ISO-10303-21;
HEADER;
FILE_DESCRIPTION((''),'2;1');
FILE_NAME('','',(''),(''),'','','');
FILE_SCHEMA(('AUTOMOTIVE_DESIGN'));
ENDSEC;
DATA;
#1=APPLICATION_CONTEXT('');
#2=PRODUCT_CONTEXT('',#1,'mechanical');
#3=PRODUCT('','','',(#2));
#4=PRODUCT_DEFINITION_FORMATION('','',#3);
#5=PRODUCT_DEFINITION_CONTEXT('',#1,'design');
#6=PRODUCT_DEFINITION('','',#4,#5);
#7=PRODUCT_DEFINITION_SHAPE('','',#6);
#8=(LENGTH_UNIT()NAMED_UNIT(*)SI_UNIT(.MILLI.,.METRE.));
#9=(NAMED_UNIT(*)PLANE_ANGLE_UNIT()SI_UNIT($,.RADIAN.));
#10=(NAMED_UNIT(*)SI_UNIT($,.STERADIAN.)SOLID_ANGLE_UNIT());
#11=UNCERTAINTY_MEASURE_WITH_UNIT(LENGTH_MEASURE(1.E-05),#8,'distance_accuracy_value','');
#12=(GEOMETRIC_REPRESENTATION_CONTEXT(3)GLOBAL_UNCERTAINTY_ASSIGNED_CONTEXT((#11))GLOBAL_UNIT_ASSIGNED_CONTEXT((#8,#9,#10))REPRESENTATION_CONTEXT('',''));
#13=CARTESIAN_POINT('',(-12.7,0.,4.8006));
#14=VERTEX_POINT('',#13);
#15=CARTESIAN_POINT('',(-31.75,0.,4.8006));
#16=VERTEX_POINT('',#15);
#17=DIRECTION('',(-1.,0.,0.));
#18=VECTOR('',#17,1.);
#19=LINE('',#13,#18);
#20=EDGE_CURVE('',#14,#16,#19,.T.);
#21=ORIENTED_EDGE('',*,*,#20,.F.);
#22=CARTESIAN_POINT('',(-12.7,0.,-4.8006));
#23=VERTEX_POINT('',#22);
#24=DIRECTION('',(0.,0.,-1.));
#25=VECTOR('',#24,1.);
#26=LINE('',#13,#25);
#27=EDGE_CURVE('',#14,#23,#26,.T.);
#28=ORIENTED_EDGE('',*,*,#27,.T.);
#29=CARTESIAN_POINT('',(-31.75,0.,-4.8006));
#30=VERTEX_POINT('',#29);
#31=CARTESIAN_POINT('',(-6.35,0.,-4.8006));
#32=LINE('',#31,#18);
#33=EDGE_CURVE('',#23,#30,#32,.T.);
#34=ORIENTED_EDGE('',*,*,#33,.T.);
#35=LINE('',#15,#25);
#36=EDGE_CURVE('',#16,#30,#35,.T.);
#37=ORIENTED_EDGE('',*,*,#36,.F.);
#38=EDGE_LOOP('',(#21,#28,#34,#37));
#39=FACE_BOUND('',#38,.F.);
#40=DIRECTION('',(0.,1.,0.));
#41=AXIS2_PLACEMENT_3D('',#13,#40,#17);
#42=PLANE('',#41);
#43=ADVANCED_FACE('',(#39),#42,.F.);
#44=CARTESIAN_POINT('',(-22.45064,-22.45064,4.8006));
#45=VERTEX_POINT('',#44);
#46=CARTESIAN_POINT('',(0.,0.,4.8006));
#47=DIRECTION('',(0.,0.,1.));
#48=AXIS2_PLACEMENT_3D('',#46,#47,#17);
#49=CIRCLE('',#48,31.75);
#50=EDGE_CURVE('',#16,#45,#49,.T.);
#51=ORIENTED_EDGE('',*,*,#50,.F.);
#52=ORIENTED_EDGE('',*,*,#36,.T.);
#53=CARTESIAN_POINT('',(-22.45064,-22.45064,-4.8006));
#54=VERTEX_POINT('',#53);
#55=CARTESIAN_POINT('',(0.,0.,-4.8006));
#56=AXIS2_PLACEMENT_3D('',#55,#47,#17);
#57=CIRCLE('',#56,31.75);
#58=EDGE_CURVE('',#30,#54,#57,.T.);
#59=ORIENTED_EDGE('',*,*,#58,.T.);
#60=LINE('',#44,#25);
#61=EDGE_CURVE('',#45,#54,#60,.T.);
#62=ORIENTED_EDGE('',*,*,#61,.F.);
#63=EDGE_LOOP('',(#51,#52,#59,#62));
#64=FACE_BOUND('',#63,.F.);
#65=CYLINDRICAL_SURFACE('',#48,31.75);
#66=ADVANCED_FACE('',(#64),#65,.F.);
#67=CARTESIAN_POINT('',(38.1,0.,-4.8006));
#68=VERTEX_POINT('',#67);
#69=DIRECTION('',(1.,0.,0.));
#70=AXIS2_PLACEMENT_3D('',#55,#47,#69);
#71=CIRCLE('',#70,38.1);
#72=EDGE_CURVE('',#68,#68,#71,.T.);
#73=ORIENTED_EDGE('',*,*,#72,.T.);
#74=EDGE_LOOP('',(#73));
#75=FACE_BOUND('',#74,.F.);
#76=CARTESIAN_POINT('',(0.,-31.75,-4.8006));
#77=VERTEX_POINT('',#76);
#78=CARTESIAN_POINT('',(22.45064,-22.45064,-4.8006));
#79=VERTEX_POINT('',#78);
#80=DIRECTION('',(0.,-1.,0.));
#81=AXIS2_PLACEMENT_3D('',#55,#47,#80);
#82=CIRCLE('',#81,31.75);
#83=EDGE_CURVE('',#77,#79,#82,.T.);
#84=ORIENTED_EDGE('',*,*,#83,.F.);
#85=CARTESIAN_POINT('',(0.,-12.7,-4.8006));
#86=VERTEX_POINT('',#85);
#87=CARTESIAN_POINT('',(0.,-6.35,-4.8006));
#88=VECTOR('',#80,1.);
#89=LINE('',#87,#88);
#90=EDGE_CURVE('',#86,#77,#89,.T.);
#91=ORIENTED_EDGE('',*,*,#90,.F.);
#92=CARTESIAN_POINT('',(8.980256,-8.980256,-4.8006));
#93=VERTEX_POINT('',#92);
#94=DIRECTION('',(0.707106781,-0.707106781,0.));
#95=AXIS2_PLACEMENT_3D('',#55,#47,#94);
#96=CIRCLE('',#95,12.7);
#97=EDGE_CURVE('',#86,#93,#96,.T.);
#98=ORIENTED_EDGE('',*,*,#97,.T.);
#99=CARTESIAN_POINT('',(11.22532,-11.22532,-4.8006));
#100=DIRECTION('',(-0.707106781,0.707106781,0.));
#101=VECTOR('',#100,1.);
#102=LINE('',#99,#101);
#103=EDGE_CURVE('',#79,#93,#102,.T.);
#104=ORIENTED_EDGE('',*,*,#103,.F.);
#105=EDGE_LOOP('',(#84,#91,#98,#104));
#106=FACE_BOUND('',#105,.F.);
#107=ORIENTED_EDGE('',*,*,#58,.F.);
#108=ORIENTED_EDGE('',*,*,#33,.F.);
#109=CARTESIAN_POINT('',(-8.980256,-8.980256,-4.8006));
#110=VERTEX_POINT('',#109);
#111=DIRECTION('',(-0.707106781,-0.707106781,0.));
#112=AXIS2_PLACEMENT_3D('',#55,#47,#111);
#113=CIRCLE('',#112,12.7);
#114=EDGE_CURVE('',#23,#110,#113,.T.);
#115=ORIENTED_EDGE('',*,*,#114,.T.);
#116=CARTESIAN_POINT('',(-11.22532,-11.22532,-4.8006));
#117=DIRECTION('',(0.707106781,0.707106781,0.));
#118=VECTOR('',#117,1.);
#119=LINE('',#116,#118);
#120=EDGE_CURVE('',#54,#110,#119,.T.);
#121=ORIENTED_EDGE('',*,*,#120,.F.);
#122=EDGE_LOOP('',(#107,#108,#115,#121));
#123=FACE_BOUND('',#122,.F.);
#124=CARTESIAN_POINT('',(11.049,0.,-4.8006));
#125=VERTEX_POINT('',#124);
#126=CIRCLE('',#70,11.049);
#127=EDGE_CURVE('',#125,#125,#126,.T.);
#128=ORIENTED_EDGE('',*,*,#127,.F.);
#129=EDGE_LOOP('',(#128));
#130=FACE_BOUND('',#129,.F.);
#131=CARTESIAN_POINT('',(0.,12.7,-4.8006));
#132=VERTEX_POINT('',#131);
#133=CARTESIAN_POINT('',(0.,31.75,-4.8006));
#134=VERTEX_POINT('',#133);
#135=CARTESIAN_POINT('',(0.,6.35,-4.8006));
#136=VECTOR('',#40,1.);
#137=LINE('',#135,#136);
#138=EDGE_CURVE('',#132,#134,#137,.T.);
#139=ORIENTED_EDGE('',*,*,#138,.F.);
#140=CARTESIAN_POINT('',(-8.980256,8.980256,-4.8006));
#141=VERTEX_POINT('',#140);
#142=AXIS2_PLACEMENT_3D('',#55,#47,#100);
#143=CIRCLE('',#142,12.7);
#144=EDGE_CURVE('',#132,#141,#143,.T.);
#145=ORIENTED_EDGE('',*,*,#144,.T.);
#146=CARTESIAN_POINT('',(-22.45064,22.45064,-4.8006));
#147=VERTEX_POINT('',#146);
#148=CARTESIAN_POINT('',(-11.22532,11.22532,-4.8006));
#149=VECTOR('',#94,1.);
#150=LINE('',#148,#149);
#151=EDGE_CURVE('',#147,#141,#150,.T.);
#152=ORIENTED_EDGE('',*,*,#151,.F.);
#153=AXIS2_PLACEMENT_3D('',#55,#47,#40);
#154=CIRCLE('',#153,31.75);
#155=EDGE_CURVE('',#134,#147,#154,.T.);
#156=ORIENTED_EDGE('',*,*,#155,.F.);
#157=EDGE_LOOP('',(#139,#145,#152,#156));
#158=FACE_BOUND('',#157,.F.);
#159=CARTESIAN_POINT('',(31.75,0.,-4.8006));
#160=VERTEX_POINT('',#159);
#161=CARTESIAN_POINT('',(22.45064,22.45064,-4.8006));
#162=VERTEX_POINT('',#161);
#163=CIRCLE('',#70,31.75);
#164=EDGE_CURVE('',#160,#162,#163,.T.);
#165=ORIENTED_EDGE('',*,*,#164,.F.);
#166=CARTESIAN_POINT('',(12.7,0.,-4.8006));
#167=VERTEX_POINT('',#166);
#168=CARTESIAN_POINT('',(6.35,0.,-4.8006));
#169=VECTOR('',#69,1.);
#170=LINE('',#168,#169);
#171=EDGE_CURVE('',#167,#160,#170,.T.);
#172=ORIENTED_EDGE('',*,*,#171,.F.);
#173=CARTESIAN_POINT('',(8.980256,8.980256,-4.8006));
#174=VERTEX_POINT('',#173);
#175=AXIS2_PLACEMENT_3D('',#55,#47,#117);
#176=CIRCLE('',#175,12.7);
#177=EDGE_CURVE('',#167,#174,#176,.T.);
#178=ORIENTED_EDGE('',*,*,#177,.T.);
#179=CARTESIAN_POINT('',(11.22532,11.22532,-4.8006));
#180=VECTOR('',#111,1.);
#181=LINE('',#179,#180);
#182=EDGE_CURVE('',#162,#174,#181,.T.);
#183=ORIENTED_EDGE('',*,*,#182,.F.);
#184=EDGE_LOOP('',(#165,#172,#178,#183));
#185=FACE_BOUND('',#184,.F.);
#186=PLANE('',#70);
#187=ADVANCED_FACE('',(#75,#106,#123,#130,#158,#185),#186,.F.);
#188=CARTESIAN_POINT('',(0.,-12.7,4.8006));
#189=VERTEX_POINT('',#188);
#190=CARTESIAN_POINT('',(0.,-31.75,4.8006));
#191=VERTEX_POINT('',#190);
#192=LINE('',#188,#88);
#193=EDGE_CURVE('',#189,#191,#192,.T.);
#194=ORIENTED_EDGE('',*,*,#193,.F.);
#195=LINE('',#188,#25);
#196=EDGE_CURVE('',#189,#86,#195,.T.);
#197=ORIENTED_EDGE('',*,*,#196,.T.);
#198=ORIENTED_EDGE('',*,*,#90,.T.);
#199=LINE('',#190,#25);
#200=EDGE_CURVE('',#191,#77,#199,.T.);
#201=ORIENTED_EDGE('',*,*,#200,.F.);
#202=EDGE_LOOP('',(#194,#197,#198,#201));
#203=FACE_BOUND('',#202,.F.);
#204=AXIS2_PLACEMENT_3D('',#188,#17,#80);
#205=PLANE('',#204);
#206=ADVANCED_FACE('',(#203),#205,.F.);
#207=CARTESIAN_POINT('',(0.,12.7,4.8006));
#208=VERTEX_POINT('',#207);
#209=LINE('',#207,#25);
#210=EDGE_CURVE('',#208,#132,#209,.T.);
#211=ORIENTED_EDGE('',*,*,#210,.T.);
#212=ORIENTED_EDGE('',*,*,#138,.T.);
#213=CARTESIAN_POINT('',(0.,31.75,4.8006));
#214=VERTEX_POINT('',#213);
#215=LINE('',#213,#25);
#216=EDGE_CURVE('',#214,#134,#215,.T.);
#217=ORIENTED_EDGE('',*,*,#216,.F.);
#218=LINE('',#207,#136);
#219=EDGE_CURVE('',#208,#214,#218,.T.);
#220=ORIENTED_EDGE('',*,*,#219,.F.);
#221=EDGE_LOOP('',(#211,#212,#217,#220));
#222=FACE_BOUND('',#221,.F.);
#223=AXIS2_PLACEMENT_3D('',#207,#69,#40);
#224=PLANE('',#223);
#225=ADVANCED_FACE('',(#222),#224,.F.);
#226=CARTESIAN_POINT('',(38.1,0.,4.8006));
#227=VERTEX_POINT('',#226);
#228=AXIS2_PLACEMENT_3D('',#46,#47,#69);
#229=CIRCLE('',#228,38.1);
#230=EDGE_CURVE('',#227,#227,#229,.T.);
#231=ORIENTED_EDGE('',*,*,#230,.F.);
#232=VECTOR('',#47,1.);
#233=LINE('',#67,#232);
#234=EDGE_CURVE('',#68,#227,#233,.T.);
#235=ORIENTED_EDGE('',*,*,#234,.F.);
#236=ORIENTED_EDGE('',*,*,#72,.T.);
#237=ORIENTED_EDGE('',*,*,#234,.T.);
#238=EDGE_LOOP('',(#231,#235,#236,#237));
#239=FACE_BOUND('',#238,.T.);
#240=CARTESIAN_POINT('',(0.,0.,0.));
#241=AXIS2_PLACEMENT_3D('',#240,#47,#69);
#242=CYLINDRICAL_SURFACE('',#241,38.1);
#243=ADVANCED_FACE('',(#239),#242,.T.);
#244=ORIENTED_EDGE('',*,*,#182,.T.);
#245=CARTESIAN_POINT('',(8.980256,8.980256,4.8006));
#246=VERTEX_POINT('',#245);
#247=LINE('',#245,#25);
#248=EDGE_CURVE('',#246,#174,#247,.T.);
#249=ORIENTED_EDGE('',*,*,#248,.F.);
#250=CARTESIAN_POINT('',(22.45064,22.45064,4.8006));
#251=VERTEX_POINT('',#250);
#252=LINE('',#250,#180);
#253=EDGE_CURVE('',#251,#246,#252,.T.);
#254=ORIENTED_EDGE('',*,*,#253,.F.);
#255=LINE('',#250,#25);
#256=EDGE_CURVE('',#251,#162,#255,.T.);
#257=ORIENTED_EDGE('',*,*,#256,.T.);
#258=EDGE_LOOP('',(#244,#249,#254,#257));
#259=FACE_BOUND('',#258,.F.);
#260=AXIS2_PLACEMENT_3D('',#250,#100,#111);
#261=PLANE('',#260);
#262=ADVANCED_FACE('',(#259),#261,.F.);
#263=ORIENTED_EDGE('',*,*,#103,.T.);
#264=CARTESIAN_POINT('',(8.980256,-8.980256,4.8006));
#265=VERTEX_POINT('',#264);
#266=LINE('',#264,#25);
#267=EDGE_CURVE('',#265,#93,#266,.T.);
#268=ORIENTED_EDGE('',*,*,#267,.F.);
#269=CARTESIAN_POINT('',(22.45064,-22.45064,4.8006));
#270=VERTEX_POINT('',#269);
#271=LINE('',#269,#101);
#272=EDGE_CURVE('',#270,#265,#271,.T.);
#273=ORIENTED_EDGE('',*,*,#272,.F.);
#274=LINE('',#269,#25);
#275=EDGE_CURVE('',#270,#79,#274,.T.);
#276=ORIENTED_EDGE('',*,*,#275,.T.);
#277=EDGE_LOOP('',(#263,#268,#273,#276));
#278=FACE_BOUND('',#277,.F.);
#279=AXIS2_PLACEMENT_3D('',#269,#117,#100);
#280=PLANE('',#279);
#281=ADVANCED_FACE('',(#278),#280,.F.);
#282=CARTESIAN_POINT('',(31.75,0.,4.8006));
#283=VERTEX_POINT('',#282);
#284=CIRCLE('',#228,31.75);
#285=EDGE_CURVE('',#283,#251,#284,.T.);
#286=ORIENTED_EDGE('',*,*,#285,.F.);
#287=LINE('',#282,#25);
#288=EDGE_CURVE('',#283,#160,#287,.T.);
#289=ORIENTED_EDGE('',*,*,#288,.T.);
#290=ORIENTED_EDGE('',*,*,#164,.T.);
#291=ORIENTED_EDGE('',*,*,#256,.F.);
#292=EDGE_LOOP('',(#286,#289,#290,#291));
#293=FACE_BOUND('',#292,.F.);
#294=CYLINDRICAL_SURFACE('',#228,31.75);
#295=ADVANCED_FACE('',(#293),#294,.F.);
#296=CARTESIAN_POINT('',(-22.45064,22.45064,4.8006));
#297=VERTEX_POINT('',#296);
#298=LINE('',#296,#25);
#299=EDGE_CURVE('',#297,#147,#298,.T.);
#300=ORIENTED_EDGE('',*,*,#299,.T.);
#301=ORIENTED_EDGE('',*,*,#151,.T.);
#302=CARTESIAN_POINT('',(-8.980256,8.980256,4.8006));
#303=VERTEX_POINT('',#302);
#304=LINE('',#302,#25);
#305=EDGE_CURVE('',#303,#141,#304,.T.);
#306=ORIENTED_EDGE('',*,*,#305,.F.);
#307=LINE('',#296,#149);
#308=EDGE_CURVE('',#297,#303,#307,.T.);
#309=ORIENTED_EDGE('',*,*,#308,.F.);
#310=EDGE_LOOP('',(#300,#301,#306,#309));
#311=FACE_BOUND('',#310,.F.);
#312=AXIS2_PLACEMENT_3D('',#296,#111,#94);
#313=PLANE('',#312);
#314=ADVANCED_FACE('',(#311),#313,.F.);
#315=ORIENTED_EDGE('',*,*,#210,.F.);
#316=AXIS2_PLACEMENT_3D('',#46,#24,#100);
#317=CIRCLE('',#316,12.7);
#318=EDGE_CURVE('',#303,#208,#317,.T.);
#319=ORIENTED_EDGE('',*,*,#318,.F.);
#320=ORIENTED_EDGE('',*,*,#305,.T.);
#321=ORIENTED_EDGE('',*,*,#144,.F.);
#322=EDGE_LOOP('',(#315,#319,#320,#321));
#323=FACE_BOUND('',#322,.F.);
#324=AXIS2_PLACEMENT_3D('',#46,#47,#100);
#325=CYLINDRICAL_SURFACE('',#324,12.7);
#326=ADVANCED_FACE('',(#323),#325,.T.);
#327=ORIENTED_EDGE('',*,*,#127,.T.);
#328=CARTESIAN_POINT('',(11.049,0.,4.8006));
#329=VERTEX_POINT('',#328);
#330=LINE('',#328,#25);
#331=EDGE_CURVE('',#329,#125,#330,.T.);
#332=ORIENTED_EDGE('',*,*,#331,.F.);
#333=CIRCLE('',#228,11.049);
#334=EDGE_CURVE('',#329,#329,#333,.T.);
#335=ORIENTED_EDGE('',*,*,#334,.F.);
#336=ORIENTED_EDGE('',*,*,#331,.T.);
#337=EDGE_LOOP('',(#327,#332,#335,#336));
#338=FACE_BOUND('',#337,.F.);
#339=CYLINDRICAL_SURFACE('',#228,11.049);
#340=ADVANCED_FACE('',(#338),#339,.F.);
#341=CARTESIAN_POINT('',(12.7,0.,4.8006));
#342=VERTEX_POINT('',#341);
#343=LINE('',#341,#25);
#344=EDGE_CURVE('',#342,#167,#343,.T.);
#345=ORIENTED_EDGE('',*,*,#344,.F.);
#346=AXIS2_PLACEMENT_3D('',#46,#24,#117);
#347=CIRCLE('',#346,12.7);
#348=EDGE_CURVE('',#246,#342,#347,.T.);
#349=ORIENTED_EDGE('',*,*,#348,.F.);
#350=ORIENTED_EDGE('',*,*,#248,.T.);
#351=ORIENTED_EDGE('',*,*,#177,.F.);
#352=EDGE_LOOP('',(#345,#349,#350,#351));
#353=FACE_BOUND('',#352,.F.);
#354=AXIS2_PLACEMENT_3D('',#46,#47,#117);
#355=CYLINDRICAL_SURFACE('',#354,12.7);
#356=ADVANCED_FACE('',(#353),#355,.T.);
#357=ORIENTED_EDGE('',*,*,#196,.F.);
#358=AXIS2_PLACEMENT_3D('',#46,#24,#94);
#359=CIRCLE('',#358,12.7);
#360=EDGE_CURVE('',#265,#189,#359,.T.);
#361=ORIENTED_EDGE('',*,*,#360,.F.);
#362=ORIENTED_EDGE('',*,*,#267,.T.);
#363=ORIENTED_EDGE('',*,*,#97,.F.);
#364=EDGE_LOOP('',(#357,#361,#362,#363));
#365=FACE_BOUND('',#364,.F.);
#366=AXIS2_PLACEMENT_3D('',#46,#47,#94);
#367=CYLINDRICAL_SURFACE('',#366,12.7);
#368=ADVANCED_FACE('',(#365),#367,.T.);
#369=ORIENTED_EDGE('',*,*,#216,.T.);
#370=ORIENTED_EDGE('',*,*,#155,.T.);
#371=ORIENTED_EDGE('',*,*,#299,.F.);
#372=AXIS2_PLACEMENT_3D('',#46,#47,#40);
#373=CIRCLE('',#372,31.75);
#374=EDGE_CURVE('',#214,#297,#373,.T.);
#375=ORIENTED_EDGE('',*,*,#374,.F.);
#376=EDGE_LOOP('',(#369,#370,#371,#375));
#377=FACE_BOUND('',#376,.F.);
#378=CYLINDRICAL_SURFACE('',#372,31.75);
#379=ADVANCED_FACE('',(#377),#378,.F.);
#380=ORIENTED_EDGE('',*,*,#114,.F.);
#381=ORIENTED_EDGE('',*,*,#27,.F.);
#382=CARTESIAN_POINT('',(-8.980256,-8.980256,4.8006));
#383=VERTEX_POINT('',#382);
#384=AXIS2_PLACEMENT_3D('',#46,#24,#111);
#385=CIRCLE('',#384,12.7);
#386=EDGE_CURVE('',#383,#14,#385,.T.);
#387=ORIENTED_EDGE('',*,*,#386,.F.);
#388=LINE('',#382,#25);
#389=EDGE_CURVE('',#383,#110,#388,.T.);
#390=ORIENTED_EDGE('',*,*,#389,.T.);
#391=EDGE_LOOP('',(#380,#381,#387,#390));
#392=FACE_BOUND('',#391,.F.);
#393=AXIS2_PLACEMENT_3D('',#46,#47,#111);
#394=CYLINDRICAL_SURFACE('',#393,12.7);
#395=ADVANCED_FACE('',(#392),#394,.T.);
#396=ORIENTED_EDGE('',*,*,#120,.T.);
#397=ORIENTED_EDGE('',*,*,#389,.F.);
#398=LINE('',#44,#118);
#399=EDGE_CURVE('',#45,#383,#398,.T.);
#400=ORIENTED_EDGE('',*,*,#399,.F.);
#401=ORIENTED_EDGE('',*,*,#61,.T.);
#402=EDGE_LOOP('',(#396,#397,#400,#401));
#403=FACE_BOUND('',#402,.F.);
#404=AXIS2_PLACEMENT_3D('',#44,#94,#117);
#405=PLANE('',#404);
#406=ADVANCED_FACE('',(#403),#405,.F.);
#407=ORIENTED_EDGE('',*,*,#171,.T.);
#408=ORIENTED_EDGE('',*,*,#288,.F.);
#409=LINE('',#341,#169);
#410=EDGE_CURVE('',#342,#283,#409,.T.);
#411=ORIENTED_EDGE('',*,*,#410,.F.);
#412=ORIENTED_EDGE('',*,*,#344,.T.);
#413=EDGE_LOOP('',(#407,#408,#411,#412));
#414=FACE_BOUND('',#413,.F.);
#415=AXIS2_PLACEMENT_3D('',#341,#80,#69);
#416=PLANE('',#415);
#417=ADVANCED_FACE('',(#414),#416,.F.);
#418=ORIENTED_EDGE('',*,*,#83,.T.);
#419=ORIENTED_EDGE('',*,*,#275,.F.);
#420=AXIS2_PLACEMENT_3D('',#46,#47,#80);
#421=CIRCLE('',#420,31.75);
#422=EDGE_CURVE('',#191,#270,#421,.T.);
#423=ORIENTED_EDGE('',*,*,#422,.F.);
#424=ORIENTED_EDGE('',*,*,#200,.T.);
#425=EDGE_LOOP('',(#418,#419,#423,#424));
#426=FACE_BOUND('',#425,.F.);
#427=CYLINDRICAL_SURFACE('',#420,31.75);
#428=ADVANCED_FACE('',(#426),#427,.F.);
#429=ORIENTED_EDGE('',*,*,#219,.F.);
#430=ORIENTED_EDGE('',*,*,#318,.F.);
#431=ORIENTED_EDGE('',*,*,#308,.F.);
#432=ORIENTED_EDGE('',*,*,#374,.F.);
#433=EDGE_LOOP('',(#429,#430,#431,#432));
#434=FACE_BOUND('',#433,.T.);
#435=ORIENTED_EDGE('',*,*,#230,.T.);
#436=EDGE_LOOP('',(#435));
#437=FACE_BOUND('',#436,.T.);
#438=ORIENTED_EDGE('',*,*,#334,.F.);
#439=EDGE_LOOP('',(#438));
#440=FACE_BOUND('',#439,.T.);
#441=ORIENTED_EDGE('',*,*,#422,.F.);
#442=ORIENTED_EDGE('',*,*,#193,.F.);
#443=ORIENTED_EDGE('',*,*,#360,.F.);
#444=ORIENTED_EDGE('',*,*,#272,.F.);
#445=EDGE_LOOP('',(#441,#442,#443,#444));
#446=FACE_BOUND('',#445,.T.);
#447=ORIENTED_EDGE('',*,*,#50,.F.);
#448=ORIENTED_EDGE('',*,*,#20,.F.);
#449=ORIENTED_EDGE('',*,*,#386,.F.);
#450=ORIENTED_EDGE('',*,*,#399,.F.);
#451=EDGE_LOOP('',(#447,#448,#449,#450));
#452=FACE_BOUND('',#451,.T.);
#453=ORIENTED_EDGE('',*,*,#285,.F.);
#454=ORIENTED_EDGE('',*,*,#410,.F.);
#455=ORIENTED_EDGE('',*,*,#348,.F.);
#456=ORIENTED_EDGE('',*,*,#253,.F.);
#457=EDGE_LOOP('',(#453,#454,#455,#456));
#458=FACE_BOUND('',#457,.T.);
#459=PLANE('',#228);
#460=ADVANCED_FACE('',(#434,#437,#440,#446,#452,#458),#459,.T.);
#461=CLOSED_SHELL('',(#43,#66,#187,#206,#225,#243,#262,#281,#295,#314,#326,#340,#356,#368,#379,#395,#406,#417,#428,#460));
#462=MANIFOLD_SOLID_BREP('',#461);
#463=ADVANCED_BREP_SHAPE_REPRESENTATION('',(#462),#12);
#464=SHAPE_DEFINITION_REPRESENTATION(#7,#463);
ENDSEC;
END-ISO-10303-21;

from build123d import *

# Parameters (mm, degrees)
F0_R     = 38.1
F1_DEPTH = 4.8006
F3_R     = 11.049
F4_DEPTH = 25.4
F5_DEPTH = 25.4


with BuildPart() as f1:
    # F0 (on Top) → F1 (new body, symmetric)
    with BuildSketch(Plane.XY):
        Circle(F0_R)
    extrude(amount=F1_DEPTH, both=True)

    # F3 (on face) → F4 (cut)
    with BuildSketch(Plane.XY.offset(4.8006)):
        Circle(F3_R)
    extrude(amount=-F4_DEPTH, mode=Mode.SUBTRACT)

    # F2 (on face) → F5 (cut)
    with BuildSketch(Plane.XY.offset(4.8006)):
        with BuildLine():
            ThreePointArc((17.9605122421, 17.9605122421), (23.4665401258, 9.7201591821), (25.4, 0))
            Line((25.4, 0), (31.75, 0))
            ThreePointArc((31.75, 0), (29.3331751572, 12.1501989776), (22.4506403027, 22.4506403027))
            Line((22.4506403027, 22.4506403027), (17.9605122421, 17.9605122421))
        make_face()
        with BuildLine():
            ThreePointArc((-17.9605122421, 17.9605122421), (-9.7201591821, 23.4665401258), (0, 25.4))
            Line((0, 25.4), (0, 31.75))
            ThreePointArc((0, 31.75), (-12.1501989776, 29.3331751572), (-22.4506403027, 22.4506403027))
            Line((-22.4506403027, 22.4506403027), (-17.9605122421, 17.9605122421))
        make_face()
        with BuildLine():
            Line((-22.4506403027, -22.4506403027), (-17.9605122421, -17.9605122421))
            ThreePointArc((-17.9605122421, -17.9605122421), (-23.4665401258, -9.7201591821), (-25.4, 0))
            Line((-25.4, 0), (-31.75, 0))
            ThreePointArc((-31.75, 0), (-29.3331751572, -12.1501989776), (-22.4506403027, -22.4506403027))
        make_face()
        with BuildLine():
            Line((22.4506403027, -22.4506403027), (17.9605122421, -17.9605122421))
            ThreePointArc((17.9605122421, -17.9605122421), (9.7201591821, -23.4665401258), (0, -25.4))
            Line((0, -25.4), (0, -31.75))
            ThreePointArc((0, -31.75), (12.1501989776, -29.3331751572), (22.4506403027, -22.4506403027))
        make_face()
        with BuildLine():
            Line((-13.4703841816, -13.4703841816), (-8.9802561211, -8.9802561211))
            ThreePointArc((-8.9802561211, -8.9802561211), (-11.7332700629, -4.860079591), (-12.7, 0))
            Line((-12.7, 0), (-19.05, 0))
            ThreePointArc((-19.05, 0), (-17.5999050943, -7.2901193866), (-13.4703841816, -13.4703841816))
        make_face()
        with BuildLine():
            ThreePointArc((-8.9802561211, 8.9802561211), (-4.860079591, 11.7332700629), (0, 12.7))
            Line((0, 12.7), (0, 19.05))
            ThreePointArc((0, 19.05), (-7.2901193866, 17.5999050943), (-13.4703841816, 13.4703841816))
            Line((-13.4703841816, 13.4703841816), (-8.9802561211, 8.9802561211))
        make_face()
        with BuildLine():
            ThreePointArc((8.9802561211, 8.9802561211), (11.7332700629, 4.860079591), (12.7, 0))
            Line((12.7, 0), (19.05, 0))
            ThreePointArc((19.05, 0), (17.5999050943, 7.2901193866), (13.4703841816, 13.4703841816))
            Line((13.4703841816, 13.4703841816), (8.9802561211, 8.9802561211))
        make_face()
        with BuildLine():
            Line((13.4703841816, -13.4703841816), (8.9802561211, -8.9802561211))
            ThreePointArc((8.9802561211, -8.9802561211), (4.860079591, -11.7332700629), (0, -12.7))
            Line((0, -12.7), (0, -19.05))
            ThreePointArc((0, -19.05), (7.2901193866, -17.5999050943), (13.4703841816, -13.4703841816))
        make_face()
        with BuildLine():
            ThreePointArc((-13.4703841816, 13.4703841816), (-7.2901193866, 17.5999050943), (0, 19.05))
            Line((0, 19.05), (0, 25.4))
            ThreePointArc((0, 25.4), (-9.7201591821, 23.4665401258), (-17.9605122421, 17.9605122421))
            Line((-17.9605122421, 17.9605122421), (-13.4703841816, 13.4703841816))
        make_face()
        with BuildLine():
            ThreePointArc((13.4703841816, 13.4703841816), (17.5999050943, 7.2901193866), (19.05, 0))
            Line((19.05, 0), (25.4, 0))
            ThreePointArc((25.4, 0), (23.4665401258, 9.7201591821), (17.9605122421, 17.9605122421))
            Line((17.9605122421, 17.9605122421), (13.4703841816, 13.4703841816))
        make_face()
        with BuildLine():
            Line((-17.9605122421, -17.9605122421), (-13.4703841816, -13.4703841816))
            ThreePointArc((-13.4703841816, -13.4703841816), (-17.5999050943, -7.2901193866), (-19.05, 0))
            Line((-19.05, 0), (-25.4, 0))
            ThreePointArc((-25.4, 0), (-23.4665401258, -9.7201591821), (-17.9605122421, -17.9605122421))
        make_face()
        with BuildLine():
            Line((17.9605122421, -17.9605122421), (13.4703841816, -13.4703841816))
            ThreePointArc((13.4703841816, -13.4703841816), (7.2901193866, -17.5999050943), (0, -19.05))
            Line((0, -19.05), (0, -25.4))
            ThreePointArc((0, -25.4), (9.7201591821, -23.4665401258), (17.9605122421, -17.9605122421))
        make_face()
    extrude(amount=-F5_DEPTH, mode=Mode.SUBTRACT)


solid = f1.part
